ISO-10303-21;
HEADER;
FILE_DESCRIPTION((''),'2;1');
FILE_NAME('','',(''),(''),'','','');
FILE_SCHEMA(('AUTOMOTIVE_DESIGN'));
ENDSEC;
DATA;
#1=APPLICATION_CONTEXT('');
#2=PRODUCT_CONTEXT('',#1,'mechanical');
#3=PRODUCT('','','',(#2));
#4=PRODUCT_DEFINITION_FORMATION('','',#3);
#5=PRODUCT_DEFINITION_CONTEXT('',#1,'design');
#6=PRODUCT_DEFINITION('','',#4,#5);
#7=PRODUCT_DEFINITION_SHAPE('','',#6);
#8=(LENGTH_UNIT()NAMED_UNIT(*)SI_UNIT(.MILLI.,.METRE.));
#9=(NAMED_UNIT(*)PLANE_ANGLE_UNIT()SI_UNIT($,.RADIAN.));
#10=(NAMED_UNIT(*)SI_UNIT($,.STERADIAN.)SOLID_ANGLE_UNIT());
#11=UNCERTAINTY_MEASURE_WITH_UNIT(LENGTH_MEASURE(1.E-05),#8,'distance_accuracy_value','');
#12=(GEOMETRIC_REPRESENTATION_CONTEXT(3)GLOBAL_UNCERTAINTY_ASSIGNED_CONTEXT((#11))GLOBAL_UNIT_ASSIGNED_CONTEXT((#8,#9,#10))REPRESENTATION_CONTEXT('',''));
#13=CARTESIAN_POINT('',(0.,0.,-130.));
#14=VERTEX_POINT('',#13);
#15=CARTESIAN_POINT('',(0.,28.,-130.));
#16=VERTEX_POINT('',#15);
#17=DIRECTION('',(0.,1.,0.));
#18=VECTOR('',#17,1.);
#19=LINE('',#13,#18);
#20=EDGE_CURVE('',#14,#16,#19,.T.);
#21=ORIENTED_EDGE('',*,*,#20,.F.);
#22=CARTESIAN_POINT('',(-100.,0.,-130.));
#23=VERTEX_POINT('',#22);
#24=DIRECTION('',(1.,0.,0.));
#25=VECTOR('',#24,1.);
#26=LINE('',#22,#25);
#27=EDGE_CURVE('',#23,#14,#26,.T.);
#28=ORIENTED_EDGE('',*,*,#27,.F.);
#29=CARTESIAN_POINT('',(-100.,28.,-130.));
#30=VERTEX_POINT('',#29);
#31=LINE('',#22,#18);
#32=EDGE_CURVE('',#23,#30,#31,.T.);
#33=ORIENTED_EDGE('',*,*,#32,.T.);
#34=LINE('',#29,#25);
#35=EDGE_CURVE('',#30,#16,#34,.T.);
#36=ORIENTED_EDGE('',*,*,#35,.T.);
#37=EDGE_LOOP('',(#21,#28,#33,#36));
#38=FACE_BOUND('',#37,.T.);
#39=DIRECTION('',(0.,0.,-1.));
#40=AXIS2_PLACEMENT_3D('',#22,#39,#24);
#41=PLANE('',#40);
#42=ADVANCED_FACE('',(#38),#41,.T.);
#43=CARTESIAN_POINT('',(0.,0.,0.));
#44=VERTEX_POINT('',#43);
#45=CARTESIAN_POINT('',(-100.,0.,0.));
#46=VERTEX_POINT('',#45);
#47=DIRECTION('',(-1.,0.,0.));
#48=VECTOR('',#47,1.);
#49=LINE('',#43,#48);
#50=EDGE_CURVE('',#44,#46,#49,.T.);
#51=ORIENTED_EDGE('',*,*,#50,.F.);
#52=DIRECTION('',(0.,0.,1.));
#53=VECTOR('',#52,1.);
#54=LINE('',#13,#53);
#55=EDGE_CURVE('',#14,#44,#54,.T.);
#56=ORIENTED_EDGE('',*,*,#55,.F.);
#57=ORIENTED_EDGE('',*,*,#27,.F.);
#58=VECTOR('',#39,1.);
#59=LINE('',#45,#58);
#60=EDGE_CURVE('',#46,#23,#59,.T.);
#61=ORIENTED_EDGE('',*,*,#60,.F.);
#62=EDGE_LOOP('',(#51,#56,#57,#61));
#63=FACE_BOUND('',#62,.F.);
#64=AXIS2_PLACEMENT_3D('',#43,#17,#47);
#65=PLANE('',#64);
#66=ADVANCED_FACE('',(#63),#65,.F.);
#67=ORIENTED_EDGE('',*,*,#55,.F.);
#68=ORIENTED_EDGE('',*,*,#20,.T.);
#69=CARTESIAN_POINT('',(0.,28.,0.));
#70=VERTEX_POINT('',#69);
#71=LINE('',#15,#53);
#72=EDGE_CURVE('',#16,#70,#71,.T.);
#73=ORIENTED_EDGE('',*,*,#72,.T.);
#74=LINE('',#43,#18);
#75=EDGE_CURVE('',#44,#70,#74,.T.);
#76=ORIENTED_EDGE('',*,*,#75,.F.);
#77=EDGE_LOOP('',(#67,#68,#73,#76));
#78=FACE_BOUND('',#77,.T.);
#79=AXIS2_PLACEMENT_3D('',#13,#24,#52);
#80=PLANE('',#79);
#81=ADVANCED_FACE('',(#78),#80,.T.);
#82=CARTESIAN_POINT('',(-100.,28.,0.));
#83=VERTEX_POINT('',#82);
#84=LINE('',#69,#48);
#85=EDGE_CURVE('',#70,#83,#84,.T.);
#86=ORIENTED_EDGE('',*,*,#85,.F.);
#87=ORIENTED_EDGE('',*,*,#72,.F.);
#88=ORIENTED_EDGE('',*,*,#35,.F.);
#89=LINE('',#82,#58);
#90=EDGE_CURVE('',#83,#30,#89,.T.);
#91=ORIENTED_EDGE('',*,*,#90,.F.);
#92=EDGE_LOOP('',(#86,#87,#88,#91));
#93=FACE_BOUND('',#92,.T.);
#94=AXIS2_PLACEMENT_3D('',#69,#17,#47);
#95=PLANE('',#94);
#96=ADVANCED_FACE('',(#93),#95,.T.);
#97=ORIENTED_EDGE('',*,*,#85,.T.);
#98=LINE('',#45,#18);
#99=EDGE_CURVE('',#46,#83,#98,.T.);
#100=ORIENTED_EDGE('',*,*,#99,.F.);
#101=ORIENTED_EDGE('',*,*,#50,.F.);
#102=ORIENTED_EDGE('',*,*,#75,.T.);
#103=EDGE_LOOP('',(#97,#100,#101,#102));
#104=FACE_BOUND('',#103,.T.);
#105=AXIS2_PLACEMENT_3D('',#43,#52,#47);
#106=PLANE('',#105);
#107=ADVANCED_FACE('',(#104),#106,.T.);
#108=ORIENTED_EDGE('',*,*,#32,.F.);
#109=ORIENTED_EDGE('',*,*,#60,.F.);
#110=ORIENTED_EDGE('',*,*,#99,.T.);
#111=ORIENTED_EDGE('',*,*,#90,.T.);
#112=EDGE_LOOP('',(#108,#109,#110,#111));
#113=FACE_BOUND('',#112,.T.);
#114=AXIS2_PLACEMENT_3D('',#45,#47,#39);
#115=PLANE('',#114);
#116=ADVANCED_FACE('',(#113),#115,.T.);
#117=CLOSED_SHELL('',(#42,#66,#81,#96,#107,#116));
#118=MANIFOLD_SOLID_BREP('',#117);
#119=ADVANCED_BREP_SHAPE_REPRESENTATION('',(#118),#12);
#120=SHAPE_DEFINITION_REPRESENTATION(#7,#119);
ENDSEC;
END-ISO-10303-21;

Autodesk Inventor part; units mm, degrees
ref_plane "YZ Plane" through (0, 0, 0) normal (1, 0, 0) x (0, 1, 0)
ref_plane "XZ Plane" through (0, 0, 0) normal (0, 1, 0) x (-1, 0, 0)
ref_plane "XY Plane" through (0, 0, 0) normal (0, 0, 1) x (1, 0, 0)
sketch "Boceto1" plane through (0, 0, 0) normal (0, 1, 0) x (-1, 0, 0)
  line L0 (0, 0) -> (100, 0)
  line L1 (100, 0) -> (100, -130)
  line L2 (100, -130) -> (0, -130)
  line L3 (0, -130) -> (0, 0)
  dimension "d0" = 100
  dimension "d1" = 130
extrude "Extrusión1" add sketch "Boceto1" along normal blind 28
sketch "Boceto2" plane through (0, 28, 0) normal (0, 1, 0) x (1, 0, 0)
  line L0 (-70, 13.56) -> (-30, 13.56)
  line L1 (-30, 13.56) -> (-30, 14.36)
  line L2 (-30, 14.36) -> (-70, 14.36)
  line L3 (-70, 14.36) -> (-70, 13.56)
  line L4 (-100, 0) -> (0, 0) projected
  line L5 (0, 0) -> (0, 130) projected
  line L6 (-70, 16.36) -> (-30, 16.36)
  line L7 (-30, 16.36) -> (-30, 17.26)
  line L8 (-30, 17.26) -> (-70, 17.26)
  line L9 (-70, 17.26) -> (-70, 16.36)
  line L10 (-70, 19.26) -> (-30, 19.26)
  line L11 (-30, 19.26) -> (-30, 20.16)
  line L12 (-30, 20.16) -> (-70, 20.16)
  line L13 (-70, 20.16) -> (-70, 19.26)
  line L14 (-85, 85) -> (-15, 85)
  line L15 (-15, 85) -> (-15, 35)
  line L16 (-15, 35) -> (-85, 35)
  line L17 (-85, 35) -> (-85, 85)
  line L18 (-100, 130) -> (-100, 0) projected
  line L19 (0, 130) -> (-100, 130) projected
  circle A0 centre (-50, 107.5) radius 4.5
  dimension "d4" = 40
  dimension "d5" = 0.8
  dimension "d6" = 13.56
  dimension "d7" = 30
  dimension "d8" = 40
  dimension "d9" = 0.9
  dimension "d10" = 2
  dimension "d11" = 0
  dimension "d12" = 40
  dimension "d13" = 0.9
  dimension "d14" = 0
  dimension "d15" = 2
  dimension "d16" = 70
  dimension "d17" = 50
  dimension "d18" = 15
  dimension "d19" = 45
  dimension "d20" = 9
  dimension "d21" = 50
  dimension "d22" = 22.5
equation "\"Radio_pliegue\" = Grosor"
equation "\"Anchura_desahogo_plegado\" = Grosor"
equation "\"Profundidad_desahogo_plegado\" = 0.5 * Grosor"
equation "\"Tamaño_destalonado\" = 4 * Grosor"
equation "\"Remanente_mínimo\" = 2 * Grosor"
equation "\"Radiodetransición\" = Radio_pliegue"
equation "\"Tamaño_de_radio_de_Jacobi\" = Radio_pliegue"
equation "\"TamañoSeparación\" = Grosor"
equation "\"Grosor\" = 0.5"
properties part number "carcasa.step"
